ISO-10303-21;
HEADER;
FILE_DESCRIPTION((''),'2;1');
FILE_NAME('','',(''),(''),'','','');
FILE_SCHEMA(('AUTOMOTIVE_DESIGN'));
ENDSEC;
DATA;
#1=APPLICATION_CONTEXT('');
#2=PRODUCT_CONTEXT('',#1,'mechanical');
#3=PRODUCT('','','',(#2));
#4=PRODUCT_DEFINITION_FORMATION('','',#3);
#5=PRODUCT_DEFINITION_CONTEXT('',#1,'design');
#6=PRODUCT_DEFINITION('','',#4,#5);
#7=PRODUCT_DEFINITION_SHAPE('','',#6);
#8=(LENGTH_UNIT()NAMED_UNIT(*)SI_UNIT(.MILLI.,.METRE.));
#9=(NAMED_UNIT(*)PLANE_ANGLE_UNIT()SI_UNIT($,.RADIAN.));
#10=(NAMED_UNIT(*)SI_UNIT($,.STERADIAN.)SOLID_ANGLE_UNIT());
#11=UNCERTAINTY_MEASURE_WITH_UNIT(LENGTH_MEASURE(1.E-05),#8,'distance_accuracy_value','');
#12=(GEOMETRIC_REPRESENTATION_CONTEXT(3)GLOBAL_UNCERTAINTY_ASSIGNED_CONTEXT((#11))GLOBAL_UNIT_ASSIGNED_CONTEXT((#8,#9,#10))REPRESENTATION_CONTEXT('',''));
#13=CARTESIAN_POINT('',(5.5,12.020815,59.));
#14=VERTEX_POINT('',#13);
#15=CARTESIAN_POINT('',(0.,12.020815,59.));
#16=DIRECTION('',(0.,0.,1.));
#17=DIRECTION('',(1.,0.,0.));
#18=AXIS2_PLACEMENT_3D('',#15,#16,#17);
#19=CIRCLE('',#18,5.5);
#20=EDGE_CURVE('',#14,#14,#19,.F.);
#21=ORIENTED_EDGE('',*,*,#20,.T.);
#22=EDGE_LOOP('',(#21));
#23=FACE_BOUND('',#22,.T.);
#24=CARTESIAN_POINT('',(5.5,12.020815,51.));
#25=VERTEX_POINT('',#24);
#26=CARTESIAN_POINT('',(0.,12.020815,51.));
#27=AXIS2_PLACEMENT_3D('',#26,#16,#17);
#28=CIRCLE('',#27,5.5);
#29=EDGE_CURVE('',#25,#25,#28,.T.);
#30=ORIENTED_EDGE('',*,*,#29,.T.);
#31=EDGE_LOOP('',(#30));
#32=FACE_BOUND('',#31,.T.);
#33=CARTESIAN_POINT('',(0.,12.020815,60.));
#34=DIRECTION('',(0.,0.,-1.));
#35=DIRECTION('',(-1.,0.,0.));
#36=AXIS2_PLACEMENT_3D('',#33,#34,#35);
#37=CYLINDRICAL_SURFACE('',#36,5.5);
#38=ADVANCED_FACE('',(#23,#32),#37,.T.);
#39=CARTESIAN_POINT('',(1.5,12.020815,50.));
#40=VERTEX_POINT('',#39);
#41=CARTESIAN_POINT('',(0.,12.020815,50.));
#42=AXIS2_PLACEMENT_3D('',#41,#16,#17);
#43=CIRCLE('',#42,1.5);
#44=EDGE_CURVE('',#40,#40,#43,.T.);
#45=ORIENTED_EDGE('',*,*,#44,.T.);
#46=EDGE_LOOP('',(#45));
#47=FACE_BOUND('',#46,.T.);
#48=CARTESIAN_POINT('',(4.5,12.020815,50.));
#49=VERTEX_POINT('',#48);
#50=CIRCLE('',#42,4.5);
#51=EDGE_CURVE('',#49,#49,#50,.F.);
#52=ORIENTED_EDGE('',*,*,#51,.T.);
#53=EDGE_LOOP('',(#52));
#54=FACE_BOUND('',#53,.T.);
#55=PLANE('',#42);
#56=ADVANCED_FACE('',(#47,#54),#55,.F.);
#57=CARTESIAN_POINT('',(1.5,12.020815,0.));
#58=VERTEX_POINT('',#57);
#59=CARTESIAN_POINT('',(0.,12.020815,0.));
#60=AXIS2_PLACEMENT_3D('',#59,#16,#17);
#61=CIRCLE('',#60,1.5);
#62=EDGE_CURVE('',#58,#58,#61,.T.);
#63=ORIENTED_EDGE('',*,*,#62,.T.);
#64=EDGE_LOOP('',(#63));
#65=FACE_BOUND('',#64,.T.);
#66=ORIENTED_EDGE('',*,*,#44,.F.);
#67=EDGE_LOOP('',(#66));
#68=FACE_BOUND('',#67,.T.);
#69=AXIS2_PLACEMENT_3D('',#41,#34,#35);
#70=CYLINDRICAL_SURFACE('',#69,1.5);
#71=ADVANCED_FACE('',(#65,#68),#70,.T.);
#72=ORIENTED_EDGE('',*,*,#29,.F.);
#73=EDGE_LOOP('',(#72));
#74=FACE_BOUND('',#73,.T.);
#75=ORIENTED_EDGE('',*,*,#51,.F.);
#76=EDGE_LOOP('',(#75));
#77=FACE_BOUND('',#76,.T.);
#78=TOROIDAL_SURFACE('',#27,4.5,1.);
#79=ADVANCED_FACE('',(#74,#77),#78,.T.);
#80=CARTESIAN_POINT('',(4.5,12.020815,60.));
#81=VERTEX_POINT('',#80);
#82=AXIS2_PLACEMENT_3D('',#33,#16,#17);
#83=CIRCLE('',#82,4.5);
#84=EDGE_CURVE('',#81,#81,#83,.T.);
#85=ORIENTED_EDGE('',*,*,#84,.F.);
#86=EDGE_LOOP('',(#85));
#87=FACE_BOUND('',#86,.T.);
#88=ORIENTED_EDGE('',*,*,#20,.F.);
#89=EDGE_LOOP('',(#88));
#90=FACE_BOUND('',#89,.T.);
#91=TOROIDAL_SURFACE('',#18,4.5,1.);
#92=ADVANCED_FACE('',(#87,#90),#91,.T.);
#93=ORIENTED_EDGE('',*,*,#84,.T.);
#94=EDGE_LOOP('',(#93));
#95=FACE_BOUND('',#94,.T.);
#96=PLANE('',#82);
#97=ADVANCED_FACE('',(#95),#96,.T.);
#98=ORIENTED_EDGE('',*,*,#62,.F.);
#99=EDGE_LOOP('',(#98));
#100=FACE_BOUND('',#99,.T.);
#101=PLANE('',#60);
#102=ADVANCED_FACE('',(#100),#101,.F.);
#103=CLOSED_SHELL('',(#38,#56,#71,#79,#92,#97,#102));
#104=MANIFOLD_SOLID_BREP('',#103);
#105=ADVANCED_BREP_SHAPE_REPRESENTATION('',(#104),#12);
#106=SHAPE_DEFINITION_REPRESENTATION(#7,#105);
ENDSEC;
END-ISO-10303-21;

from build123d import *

# Parameters (mm, degrees)
SKETCH1_R           = 1.5
BOSS_EXTRUDE1_DEPTH = 50
SKETCH2_R           = 5.5
BOSS_EXTRUDE2_DEPTH = 10
FILLET1_R           = 1


with BuildPart() as part:
    # Sketch1 → Boss-Extrude1 (new body)
    with BuildSketch(Plane.XY):
        with Locations((0, 12.02081528)):
            Circle(SKETCH1_R)
    extrude(amount=BOSS_EXTRUDE1_DEPTH)

    # Sketch2 → Boss-Extrude2 (add)
    with BuildSketch(Plane.XY.offset(50)):
        with Locations((0, 12.02081528)):
            Circle(SKETCH2_R)
    extrude(amount=BOSS_EXTRUDE2_DEPTH)

    # Fillet1
    fillet1_edges = [part.edges().sort_by_distance(p)[0] for p in [
        (-5.5, 12.02081528, 50),
        (-5.5, 12.02081528, 60),
    ]]
    fillet(fillet1_edges, radius=FILLET1_R)


solid = part.part
